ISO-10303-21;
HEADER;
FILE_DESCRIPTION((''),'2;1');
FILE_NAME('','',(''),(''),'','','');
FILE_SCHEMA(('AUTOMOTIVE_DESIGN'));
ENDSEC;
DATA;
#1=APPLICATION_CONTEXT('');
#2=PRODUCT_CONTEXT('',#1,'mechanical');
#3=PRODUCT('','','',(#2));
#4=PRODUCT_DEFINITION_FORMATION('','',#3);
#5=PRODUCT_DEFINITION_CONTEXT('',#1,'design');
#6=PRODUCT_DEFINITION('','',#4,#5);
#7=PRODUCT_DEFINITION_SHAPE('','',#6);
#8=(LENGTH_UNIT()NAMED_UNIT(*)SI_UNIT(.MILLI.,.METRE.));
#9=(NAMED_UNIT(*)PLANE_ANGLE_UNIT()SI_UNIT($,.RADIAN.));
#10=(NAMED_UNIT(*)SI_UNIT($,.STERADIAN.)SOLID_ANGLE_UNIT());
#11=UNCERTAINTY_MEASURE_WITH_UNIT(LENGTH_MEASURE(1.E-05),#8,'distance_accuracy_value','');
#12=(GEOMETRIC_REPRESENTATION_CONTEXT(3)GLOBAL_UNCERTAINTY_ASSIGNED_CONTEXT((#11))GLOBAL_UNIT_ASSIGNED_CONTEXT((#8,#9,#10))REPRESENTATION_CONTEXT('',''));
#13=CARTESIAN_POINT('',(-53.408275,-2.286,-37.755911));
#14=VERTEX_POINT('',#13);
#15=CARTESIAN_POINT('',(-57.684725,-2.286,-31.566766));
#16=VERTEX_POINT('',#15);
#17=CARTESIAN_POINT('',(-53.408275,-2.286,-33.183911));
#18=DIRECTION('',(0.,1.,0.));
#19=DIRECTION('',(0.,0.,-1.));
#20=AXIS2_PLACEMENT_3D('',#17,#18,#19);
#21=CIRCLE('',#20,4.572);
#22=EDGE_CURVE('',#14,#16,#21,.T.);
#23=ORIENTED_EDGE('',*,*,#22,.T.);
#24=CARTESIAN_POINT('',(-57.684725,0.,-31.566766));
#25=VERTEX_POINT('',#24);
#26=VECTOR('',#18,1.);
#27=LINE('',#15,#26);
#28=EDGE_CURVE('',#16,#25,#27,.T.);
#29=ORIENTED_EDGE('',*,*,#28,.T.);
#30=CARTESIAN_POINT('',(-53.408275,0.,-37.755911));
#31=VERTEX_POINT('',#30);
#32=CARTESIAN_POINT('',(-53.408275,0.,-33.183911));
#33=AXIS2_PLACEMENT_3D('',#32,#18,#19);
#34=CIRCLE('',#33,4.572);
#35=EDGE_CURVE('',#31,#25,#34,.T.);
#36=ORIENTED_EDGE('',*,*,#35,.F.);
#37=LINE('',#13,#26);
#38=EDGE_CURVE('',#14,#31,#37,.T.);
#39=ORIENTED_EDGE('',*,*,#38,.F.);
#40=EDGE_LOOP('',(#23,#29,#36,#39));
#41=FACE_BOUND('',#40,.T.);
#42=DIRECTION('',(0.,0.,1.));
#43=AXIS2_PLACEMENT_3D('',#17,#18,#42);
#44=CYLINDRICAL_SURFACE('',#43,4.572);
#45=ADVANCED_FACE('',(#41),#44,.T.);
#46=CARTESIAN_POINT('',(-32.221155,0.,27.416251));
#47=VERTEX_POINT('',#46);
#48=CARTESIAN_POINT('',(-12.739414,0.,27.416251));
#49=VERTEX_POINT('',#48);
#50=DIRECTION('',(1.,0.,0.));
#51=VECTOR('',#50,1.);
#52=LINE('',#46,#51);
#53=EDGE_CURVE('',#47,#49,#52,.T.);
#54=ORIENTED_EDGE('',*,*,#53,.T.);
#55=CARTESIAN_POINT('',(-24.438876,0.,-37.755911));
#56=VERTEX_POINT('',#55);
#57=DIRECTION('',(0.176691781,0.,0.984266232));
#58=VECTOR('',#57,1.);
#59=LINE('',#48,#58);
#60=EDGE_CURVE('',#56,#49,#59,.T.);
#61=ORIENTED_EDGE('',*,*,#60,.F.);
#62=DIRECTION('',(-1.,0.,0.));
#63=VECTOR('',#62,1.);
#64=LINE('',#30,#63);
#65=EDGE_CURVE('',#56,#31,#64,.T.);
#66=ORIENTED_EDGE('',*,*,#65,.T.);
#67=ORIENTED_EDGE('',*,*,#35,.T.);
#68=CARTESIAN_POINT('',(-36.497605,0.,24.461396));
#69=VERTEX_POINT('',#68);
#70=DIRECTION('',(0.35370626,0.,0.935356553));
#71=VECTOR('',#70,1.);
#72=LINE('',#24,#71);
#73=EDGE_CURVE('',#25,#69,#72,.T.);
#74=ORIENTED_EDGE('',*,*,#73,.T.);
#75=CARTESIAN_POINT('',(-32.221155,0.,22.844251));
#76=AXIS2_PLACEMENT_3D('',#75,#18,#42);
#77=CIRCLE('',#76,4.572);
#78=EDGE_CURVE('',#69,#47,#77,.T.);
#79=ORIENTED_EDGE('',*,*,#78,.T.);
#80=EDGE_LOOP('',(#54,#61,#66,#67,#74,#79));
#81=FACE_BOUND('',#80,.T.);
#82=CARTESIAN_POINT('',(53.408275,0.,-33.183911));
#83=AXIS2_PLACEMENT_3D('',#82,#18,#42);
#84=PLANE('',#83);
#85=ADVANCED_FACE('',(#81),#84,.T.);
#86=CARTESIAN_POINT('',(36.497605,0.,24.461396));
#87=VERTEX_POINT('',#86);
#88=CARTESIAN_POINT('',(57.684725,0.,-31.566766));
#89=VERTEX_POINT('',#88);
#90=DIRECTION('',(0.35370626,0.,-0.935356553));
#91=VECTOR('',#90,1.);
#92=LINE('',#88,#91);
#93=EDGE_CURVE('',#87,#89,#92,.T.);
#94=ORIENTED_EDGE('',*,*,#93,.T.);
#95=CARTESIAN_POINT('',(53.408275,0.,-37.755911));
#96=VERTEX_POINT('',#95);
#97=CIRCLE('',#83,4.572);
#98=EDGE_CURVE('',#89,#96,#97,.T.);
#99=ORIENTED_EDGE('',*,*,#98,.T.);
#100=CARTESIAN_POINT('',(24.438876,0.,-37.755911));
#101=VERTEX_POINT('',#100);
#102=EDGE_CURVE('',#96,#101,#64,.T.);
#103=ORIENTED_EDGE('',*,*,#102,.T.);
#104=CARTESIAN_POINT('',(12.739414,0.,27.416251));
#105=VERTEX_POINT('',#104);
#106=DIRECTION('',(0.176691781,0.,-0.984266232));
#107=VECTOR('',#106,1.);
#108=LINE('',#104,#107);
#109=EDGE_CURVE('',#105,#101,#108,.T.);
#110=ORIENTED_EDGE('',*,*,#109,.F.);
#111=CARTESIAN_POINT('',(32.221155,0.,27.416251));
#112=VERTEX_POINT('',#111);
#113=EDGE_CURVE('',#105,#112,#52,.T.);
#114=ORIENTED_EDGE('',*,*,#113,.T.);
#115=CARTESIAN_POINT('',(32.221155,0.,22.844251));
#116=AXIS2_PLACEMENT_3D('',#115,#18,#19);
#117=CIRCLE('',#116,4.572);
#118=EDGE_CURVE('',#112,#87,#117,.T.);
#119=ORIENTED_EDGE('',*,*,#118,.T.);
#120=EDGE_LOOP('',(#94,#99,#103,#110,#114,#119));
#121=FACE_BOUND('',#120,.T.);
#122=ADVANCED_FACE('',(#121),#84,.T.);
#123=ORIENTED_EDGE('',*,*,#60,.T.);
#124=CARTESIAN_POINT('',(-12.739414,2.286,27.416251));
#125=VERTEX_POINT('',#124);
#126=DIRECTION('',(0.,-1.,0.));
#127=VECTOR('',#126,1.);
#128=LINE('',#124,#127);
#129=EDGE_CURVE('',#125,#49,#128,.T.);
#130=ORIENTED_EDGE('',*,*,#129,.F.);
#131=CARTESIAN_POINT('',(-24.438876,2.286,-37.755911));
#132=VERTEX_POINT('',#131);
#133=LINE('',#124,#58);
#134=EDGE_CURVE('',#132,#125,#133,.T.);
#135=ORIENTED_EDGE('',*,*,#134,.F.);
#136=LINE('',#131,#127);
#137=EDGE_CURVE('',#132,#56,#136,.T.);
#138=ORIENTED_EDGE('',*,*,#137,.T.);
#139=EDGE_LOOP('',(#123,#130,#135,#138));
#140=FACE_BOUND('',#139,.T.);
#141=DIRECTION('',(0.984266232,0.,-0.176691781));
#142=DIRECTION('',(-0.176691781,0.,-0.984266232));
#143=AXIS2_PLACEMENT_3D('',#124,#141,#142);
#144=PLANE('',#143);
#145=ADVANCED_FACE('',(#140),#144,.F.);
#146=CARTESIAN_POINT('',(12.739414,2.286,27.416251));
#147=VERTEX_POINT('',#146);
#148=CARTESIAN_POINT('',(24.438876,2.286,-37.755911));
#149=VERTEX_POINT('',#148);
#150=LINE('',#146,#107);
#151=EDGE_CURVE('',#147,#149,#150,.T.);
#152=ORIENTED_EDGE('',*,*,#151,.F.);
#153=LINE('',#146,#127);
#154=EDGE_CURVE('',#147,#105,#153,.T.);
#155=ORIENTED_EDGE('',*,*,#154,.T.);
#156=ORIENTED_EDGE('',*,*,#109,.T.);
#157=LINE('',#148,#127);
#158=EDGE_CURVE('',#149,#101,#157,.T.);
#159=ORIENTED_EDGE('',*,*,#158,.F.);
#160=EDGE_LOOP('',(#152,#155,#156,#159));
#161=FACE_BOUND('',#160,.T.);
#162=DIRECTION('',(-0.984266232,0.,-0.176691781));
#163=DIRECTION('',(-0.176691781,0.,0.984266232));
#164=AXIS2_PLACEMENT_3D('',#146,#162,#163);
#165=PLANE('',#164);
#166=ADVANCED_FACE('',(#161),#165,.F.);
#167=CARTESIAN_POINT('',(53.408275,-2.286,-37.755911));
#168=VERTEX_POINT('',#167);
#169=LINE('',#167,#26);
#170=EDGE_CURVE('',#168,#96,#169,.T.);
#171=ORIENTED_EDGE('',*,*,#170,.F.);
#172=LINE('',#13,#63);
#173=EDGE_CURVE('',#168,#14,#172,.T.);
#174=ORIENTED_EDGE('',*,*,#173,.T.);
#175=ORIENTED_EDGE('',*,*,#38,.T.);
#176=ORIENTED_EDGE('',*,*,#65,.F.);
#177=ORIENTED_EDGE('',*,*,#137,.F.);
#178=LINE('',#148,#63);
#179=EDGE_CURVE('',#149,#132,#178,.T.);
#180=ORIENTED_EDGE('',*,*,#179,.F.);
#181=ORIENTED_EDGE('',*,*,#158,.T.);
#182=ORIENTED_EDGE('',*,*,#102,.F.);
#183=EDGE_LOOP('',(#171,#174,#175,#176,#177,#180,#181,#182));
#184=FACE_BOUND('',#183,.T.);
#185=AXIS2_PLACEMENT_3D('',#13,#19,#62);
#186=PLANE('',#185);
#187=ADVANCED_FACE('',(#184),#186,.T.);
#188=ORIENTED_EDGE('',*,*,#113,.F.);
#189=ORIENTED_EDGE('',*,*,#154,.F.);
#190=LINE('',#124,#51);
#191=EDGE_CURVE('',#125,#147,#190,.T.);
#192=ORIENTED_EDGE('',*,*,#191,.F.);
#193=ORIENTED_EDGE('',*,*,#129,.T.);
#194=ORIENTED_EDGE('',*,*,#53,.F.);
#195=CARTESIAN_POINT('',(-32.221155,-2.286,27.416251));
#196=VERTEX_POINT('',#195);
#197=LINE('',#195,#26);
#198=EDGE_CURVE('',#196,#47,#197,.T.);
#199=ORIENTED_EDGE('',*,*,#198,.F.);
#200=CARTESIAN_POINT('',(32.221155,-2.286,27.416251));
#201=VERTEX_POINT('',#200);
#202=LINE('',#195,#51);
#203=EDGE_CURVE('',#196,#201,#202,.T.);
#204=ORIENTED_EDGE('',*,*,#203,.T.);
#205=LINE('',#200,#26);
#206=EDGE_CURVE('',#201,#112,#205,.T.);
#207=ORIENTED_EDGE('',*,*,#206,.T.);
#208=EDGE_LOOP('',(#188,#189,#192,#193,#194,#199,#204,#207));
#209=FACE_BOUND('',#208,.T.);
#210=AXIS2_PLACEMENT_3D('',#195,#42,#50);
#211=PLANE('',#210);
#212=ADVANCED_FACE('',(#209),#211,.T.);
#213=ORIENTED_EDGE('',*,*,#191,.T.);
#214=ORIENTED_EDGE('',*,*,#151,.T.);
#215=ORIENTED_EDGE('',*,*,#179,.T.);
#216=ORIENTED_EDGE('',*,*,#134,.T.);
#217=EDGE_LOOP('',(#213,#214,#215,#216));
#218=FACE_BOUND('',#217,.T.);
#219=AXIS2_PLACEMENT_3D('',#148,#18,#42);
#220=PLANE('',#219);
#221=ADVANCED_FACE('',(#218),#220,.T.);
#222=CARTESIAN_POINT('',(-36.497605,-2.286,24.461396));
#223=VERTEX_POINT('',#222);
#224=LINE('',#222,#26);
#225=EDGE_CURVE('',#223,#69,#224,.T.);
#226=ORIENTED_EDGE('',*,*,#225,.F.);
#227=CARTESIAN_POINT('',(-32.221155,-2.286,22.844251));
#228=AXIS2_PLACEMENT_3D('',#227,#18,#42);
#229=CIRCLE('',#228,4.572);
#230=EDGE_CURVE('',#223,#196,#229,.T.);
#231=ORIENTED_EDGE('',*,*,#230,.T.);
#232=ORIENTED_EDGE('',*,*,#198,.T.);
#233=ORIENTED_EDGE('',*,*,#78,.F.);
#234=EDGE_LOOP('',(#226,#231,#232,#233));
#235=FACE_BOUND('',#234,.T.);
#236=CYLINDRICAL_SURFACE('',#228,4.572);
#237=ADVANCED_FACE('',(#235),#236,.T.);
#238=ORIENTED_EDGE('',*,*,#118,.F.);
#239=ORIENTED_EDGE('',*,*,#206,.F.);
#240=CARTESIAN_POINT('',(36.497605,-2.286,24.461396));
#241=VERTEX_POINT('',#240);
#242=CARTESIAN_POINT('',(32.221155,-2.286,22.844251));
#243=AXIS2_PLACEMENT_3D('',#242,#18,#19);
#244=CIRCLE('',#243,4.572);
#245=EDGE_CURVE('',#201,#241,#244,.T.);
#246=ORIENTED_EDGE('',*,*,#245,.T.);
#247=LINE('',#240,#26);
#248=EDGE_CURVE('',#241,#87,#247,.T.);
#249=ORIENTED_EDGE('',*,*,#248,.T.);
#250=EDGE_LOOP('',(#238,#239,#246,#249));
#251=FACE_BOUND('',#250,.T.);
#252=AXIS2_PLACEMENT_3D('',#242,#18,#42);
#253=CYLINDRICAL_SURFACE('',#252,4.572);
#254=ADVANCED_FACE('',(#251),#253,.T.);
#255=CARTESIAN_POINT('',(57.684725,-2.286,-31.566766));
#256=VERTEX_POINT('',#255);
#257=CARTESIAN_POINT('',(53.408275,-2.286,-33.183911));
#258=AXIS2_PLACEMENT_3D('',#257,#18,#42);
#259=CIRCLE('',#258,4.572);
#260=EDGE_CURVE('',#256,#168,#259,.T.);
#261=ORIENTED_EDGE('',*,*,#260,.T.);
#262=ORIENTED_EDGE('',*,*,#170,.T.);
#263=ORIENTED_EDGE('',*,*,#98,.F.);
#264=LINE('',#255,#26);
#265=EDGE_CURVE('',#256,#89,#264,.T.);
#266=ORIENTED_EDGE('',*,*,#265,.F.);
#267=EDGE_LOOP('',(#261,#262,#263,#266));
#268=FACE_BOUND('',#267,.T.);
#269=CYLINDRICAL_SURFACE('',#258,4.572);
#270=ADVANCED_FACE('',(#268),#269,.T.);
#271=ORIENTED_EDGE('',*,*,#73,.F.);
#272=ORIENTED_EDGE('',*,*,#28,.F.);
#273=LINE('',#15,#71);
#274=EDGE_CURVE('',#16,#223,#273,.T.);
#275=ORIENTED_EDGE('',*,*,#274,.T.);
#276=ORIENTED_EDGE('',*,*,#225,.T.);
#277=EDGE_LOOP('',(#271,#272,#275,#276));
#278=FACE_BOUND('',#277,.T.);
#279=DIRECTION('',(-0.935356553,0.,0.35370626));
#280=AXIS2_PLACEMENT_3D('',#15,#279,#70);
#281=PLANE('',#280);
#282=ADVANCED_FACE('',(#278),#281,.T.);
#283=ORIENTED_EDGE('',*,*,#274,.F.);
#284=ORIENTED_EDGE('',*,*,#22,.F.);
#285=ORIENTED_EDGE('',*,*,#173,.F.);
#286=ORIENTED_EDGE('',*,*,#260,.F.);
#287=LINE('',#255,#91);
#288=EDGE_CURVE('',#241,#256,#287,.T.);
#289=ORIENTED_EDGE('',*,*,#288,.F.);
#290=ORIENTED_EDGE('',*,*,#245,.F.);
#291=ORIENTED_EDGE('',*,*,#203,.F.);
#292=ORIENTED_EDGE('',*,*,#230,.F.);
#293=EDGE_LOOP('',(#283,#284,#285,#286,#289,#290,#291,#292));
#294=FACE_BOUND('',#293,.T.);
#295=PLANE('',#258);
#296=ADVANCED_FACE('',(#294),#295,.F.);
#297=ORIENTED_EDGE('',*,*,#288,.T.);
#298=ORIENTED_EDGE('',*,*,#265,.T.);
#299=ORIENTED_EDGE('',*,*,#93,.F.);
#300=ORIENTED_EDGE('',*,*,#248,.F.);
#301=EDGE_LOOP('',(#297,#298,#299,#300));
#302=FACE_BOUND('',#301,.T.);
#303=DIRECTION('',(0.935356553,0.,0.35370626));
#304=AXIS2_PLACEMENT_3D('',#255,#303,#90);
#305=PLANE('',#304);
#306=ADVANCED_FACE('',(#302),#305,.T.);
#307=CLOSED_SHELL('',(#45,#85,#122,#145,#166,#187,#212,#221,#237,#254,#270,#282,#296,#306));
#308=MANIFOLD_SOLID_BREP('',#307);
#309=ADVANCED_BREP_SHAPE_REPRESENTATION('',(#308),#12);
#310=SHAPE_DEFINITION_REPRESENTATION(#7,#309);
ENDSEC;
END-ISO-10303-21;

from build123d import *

# Parameters (mm, degrees)
EXTRUDE1_DEPTH = 2.286
EXTRUDE2_DEPTH = 2.286


with BuildPart() as part:
    # Sketch1 → Extrude1 (new body)
    with BuildSketch(Plane(origin=(0, 0, 0), x_dir=(1, 0, 0), z_dir=(0, 1, 0))):
        with BuildLine():
            Line((-53.408275127, 37.75591133), (53.408275127, 37.75591133))
            ThreePointArc((53.408275127, 37.75591133), (57.169709098, 35.782910846), (57.684725289, 31.566766311))
            Line((57.684725289, 31.566766311), (36.497605157, -24.461395817))
            ThreePointArc((36.497605157, -24.461395817), (34.820154512, -26.605684768), (32.221154995, -27.416250797))
            Line((32.221154995, -27.416250797), (-32.221154995, -27.416250797))
            ThreePointArc((-32.221154995, -27.416250797), (-34.820154512, -26.605684768), (-36.497605157, -24.461395817))
            Line((-36.497605157, -24.461395817), (-57.684725289, 31.566766311))
            ThreePointArc((-57.684725289, 31.566766311), (-57.169709098, 35.782910846), (-53.408275127, 37.75591133))
        make_face()
    extrude(amount=-EXTRUDE1_DEPTH)

    # Sketch2 → Extrude2 (add)
    with BuildSketch(Plane(origin=(0, 0, 0), x_dir=(1, 0, 0), z_dir=(0, 1, 0))):
        Polygon((-12.739414216, -27.416250797), (12.739414216, -27.416250797), (24.438876252, 37.75591133), (-24.438876252, 37.75591133), align=None)
    extrude(amount=EXTRUDE2_DEPTH)


solid = part.part
